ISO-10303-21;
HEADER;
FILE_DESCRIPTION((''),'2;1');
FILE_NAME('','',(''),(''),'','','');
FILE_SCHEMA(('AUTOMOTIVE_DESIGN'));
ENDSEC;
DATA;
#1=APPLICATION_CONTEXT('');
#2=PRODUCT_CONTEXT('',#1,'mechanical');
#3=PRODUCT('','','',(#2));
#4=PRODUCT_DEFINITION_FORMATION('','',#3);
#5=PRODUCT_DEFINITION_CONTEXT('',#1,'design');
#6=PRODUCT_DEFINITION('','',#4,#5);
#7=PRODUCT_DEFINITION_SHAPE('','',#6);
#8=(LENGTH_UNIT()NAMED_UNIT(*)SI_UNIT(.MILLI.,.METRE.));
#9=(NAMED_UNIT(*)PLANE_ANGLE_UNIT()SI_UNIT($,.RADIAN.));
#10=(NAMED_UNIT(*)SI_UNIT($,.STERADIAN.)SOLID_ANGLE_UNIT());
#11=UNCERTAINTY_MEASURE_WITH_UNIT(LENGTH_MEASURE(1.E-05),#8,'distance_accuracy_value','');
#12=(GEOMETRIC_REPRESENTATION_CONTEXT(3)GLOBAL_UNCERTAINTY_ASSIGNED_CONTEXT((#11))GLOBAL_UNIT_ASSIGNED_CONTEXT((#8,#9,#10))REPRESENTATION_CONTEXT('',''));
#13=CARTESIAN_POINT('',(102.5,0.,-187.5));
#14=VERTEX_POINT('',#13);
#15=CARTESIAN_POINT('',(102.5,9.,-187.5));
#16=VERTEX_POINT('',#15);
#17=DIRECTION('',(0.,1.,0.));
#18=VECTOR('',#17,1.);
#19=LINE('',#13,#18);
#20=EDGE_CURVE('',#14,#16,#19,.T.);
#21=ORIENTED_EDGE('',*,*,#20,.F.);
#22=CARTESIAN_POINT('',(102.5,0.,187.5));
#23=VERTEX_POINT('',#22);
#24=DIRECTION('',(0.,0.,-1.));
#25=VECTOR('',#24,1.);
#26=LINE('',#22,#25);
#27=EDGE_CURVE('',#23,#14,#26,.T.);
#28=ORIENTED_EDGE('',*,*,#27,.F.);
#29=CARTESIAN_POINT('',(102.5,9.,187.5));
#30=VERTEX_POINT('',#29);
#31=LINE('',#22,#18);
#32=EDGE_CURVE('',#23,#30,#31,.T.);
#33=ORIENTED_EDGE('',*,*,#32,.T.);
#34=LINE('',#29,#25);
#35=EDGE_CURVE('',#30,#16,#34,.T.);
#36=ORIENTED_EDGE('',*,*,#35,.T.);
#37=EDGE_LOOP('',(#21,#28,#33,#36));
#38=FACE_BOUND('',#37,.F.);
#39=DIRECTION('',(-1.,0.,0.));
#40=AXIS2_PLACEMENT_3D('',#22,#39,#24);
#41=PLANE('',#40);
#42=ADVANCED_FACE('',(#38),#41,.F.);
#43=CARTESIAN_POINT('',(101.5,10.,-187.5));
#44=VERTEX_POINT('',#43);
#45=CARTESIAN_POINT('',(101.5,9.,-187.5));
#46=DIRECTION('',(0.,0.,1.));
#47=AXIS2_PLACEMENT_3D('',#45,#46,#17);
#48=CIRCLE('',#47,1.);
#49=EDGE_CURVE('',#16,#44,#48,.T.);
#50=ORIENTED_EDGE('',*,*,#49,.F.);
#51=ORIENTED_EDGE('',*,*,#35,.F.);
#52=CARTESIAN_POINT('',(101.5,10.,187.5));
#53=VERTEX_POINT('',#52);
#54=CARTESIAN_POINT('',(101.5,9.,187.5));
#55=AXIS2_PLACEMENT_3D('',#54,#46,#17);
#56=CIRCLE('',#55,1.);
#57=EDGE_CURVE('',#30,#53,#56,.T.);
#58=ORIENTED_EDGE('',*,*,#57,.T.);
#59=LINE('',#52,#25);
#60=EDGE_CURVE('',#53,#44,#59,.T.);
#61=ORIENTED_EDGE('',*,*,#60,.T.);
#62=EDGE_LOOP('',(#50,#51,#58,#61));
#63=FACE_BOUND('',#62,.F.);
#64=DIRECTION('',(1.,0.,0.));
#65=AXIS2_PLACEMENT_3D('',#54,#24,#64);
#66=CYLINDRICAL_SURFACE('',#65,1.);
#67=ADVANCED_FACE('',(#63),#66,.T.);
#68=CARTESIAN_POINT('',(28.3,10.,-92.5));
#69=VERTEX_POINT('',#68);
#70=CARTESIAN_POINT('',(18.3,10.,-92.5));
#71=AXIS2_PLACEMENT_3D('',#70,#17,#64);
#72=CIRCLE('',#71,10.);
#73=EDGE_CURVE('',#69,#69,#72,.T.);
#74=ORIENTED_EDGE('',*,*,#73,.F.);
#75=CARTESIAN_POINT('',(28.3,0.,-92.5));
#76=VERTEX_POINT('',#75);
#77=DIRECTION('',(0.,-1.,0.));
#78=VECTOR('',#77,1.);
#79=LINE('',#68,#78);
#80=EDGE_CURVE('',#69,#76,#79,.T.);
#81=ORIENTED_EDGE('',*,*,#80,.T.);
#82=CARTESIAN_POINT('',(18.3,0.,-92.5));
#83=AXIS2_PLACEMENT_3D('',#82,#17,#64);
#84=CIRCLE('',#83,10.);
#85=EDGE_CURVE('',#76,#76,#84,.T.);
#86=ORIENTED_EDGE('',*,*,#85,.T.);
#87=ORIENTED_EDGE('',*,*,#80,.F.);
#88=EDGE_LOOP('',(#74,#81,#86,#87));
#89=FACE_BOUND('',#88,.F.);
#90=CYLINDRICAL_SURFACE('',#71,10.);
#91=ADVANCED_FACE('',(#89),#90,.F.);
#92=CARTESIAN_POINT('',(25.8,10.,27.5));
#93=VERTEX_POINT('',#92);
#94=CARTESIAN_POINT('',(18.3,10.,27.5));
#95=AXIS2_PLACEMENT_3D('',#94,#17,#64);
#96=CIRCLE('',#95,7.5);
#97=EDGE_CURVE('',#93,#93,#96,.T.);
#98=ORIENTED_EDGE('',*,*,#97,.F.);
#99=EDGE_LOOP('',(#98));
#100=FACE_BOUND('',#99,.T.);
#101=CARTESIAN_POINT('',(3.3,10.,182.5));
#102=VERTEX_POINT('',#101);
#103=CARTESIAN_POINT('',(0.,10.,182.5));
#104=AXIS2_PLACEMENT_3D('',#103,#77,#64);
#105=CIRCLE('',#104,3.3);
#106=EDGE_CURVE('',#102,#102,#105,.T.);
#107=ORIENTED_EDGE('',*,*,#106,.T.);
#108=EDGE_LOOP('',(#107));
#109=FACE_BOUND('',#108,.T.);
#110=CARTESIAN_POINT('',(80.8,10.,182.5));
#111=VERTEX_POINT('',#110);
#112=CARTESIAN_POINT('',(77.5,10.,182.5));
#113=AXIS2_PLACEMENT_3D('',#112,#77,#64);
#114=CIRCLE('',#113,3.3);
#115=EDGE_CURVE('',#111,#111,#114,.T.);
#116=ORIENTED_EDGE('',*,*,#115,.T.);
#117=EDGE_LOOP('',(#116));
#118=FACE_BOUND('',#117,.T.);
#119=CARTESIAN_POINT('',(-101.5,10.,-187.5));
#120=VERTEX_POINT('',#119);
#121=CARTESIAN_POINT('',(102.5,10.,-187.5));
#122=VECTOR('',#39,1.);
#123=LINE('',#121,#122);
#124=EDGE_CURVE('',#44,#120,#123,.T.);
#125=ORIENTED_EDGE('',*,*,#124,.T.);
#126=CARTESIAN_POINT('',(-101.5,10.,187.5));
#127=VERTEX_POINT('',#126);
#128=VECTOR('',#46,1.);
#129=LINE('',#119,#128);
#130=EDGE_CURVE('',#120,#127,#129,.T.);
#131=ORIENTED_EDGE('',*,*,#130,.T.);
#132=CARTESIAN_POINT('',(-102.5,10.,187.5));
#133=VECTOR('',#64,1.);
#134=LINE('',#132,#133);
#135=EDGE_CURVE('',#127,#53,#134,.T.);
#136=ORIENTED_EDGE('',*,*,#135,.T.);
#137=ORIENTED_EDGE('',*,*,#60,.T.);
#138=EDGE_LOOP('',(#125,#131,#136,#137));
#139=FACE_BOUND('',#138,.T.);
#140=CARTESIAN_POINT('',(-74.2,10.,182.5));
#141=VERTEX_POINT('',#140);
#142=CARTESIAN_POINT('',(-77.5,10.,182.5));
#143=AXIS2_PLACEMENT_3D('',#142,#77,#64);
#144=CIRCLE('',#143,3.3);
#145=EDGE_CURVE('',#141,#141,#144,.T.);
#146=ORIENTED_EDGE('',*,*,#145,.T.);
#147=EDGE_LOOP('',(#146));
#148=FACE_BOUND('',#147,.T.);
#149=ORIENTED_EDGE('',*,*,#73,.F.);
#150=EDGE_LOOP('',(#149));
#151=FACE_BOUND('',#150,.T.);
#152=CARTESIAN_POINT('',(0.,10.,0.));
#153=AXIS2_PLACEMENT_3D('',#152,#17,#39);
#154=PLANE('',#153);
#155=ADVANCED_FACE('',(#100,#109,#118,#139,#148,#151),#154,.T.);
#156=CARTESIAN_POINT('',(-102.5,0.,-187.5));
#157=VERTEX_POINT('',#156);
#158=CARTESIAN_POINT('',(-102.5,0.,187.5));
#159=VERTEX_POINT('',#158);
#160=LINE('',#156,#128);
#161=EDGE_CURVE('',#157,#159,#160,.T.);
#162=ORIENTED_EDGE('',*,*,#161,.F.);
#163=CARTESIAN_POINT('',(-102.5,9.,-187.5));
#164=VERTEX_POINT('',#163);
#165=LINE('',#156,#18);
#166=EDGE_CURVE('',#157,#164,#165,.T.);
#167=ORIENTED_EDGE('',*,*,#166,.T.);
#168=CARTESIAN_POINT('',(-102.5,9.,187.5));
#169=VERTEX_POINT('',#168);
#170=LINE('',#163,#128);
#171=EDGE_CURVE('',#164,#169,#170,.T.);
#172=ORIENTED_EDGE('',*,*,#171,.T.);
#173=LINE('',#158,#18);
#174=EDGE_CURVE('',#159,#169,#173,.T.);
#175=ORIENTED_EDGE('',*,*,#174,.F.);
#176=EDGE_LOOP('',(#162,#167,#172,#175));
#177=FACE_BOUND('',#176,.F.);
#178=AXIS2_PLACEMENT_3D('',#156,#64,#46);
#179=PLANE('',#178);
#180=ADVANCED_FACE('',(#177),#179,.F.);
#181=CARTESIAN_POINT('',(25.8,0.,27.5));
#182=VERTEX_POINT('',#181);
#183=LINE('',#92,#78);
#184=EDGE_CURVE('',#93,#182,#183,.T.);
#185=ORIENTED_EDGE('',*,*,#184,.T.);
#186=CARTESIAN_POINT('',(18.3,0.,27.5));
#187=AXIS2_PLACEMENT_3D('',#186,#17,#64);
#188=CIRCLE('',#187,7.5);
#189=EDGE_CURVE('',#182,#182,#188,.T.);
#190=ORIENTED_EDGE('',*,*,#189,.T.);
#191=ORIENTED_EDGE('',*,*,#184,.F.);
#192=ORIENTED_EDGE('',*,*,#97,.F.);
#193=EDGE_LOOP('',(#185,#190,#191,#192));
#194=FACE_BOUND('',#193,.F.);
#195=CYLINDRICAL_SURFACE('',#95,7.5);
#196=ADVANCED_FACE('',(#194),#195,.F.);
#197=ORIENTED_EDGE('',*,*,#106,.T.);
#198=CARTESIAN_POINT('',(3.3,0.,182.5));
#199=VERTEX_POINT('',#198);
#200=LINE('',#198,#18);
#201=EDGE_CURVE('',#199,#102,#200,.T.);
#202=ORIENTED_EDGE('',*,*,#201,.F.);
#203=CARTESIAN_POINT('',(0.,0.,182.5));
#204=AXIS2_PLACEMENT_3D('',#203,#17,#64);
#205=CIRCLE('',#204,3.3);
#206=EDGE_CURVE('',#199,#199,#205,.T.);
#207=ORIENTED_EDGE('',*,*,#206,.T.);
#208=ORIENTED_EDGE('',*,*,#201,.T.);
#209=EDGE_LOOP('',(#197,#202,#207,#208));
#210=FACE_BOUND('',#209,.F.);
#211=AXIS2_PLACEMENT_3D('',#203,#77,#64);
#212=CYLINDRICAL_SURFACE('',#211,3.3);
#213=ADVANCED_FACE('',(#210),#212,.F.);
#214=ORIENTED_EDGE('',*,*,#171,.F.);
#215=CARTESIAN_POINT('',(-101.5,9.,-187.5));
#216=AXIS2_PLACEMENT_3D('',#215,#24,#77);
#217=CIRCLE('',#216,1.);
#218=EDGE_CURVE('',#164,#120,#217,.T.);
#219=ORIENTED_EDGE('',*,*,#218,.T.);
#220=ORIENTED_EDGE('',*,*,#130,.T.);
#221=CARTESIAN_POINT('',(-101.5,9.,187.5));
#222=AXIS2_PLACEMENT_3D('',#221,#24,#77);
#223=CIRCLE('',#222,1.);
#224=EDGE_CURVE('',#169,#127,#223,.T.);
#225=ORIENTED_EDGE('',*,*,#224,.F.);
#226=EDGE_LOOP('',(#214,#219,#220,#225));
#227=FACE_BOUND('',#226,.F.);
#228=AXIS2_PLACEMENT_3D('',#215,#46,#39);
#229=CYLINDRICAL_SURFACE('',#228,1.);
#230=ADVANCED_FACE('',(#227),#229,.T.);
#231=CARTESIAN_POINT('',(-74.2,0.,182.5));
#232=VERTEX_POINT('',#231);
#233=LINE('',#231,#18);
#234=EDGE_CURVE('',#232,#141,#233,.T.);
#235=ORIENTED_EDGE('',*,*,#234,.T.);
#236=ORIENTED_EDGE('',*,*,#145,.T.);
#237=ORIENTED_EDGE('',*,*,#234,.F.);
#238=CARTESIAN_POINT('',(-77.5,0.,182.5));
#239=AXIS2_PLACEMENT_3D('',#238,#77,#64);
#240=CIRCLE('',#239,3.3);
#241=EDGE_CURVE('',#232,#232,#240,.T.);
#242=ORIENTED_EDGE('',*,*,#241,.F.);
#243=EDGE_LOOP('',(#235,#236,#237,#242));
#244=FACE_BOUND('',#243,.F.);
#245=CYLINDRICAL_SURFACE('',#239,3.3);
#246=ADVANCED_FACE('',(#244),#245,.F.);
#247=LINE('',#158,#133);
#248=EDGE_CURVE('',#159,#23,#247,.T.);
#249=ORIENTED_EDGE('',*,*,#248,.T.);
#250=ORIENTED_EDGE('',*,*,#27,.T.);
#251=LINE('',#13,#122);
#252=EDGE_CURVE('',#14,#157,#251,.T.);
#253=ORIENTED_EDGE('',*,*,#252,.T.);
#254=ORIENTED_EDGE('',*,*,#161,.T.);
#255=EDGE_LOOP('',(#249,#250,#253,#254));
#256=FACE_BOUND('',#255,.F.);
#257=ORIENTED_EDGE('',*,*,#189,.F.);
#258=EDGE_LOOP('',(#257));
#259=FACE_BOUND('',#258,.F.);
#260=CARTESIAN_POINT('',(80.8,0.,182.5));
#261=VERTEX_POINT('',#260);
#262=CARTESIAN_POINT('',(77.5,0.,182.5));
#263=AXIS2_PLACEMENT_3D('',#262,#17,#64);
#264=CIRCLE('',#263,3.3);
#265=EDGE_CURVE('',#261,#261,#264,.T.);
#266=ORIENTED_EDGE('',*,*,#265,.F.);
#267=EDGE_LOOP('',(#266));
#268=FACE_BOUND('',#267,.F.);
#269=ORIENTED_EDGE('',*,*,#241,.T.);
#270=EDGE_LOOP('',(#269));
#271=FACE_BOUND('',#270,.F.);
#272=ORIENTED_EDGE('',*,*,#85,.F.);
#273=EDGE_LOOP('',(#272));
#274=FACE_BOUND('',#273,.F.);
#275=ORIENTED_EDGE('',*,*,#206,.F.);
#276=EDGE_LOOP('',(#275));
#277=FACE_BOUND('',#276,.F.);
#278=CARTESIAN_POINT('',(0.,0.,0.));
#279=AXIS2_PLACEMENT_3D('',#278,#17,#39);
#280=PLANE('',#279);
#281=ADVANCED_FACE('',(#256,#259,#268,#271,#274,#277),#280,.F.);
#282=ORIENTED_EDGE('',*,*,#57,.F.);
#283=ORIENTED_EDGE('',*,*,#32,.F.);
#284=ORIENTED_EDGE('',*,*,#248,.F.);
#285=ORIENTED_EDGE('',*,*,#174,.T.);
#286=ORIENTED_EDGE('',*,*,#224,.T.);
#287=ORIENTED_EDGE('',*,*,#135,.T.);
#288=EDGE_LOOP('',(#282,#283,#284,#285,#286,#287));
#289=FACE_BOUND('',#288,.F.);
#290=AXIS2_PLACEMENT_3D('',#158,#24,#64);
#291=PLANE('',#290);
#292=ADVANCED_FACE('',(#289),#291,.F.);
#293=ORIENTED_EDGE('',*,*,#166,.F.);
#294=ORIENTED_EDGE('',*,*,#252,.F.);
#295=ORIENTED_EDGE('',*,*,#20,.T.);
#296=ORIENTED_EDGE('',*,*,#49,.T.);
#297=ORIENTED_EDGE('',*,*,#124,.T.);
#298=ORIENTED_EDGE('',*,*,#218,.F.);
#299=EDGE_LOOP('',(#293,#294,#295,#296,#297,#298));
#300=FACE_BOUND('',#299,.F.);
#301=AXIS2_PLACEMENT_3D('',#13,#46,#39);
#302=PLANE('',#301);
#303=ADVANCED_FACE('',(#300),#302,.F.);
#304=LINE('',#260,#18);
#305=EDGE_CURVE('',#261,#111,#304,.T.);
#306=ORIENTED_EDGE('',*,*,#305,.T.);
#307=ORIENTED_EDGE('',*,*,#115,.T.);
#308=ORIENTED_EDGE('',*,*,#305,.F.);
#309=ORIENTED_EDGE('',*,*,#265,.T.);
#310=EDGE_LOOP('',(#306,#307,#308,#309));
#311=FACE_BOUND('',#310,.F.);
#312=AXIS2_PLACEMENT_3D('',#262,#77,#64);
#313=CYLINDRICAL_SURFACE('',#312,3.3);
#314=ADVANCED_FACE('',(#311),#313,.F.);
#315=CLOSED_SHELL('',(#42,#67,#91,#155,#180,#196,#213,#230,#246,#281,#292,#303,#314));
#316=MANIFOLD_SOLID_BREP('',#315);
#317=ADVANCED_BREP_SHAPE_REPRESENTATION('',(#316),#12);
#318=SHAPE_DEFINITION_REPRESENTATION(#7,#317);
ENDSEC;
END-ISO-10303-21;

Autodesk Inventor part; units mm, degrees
ref_plane "YZ Plane" through (0, 0, 0) normal (1, 0, 0) x (0, 1, 0)
ref_plane "XZ Plane" through (0, 0, 0) normal (0, 1, 0) x (-1, 0, 0)
ref_plane "XY Plane" through (0, 0, 0) normal (0, 0, 1) x (1, 0, 0)
sketch "Sketch1" plane through (0, 0, 0) normal (0, 1, 0) x (-1, 0, 0)
  line L0 (102.5, 187.5) -> (-102.5, 187.5)
  line L1 (-102.5, 187.5) -> (-102.5, -187.5)
  line L2 (-102.5, -187.5) -> (102.5, -187.5)
  line L3 (102.5, -187.5) -> (102.5, 187.5)
  line L4 (102.5, 187.5) -> (-102.5, -187.5) construction
  line L5 (-102.5, 187.5) -> (102.5, -187.5) construction
  point P0 (0, 0)
  dimension "d0" = 205
  dimension "d1" = 375
extrude "Extrusion1" add sketch "Sketch1" along normal blind 10
fillet "Fillet1" radius 1 2 edges at (102.5, 10, 0) (-102.5, 10, 0)
sketch "Sketch3" plane through (0, 0, 0) normal (0, -1, 0) x (1, 0, 0)
  line L0 (102.5, -187.5) -> (-102.5, -187.5) projected
  line L1 (102.5, 187.5) -> (102.5, -187.5) projected
  line L2 (-102.5, 187.5) -> (102.5, 187.5) projected
  line L3 (-102.5, -187.5) -> (-102.5, 187.5) projected
  line L4 (102.5, 187.5) -> (102.5, -187.5) projected
  line L5 (-102.5, -187.5) -> (-102.5, 187.5) projected
  line L6 (102.5, 187.5) -> (-102.5, 187.5)
  line L7 (-102.5, 187.5) -> (-102.5, 177.5)
  line L8 (-102.5, 177.5) -> (102.5, 177.5)
  line L9 (102.5, 177.5) -> (102.5, 187.5)
  line L10 (102.5, 182.5) -> (77.5, 182.5)
  line L11 (77.5, 182.5) -> (0, 182.5)
  line L12 (0, 182.5) -> (-77.5, 182.5)
  circle A0 centre (77.5, 182.5) radius 3.3
  circle A1 centre (0, 182.5) radius 3.3
  circle A2 centre (-77.5, 182.5) radius 3.3
  point P0 (0, 0)
  dimension "d5" = 10
  dimension "d21" = 25
  dimension "d22" = 77.5
  dimension "d23" = 6.6
  dimension "d24" = 6.6
  dimension "d25" = 6.6
extrude "Extrusion2" cut sketch "Sketch3" against normal up to surface (10 mm away) contours A2 | A1 L12 L11 | L11 L12 A1 | A0 L11 L10 | L10 L11 A0
sketch "Sketch4" plane through (0, 10, 0) normal (0, 1, 0) x (1, 0, 0)
  line L0 (-101.5, -187.5) -> (-102.5, -187.5) projected
  line L1 (-102.5, -187.5) -> (-18.3, -187.5)
  line L2 (-101.5, -187.5) -> (101.5, -187.5) projected
  line L3 (-18.3, -187.5) -> (-18.3, -27.5)
  circle A0 centre (-18.3, -27.5) radius 7.5
  line L4 (-18.3, -27.5) -> (-18.3, 92.5)
  circle A1 centre (-18.3, 92.5) radius 10
  circle A2 centre (77.5, -182.5) radius 3.3 projected
  circle A3 centre (-77.5, -182.5) radius 3.3 projected
  circle A4 centre (0, -182.5) radius 3.3 projected
  line L5 (-101.5, -187.5) -> (-101.5, 187.5) projected
  line L6 (-101.5, -187.5) -> (101.5, -187.5) projected
  line L7 (101.5, 187.5) -> (101.5, -187.5) projected
  line L8 (101.5, 187.5) -> (-101.5, 187.5) projected
  line L9 (101.5, 187.5) -> (-101.5, 187.5) projected
  line L10 (0, 187.5) -> (0, -187.5)
  circle A5 centre (18.3, -27.5) radius 7.5
  circle A6 centre (18.3, 92.5) radius 10
  point P0 (0, 0)
  dimension "d11" = 84.2
  dimension "d12" = 160
  dimension "d13" = 15
  dimension "d16" = 120
  dimension "d17" = 20
extrude "Extrusion3" cut sketch "Sketch4" against normal up to surface (10 mm away) contours A5 | A6
properties part number "płyta_boczna_obudowy_odbita"
